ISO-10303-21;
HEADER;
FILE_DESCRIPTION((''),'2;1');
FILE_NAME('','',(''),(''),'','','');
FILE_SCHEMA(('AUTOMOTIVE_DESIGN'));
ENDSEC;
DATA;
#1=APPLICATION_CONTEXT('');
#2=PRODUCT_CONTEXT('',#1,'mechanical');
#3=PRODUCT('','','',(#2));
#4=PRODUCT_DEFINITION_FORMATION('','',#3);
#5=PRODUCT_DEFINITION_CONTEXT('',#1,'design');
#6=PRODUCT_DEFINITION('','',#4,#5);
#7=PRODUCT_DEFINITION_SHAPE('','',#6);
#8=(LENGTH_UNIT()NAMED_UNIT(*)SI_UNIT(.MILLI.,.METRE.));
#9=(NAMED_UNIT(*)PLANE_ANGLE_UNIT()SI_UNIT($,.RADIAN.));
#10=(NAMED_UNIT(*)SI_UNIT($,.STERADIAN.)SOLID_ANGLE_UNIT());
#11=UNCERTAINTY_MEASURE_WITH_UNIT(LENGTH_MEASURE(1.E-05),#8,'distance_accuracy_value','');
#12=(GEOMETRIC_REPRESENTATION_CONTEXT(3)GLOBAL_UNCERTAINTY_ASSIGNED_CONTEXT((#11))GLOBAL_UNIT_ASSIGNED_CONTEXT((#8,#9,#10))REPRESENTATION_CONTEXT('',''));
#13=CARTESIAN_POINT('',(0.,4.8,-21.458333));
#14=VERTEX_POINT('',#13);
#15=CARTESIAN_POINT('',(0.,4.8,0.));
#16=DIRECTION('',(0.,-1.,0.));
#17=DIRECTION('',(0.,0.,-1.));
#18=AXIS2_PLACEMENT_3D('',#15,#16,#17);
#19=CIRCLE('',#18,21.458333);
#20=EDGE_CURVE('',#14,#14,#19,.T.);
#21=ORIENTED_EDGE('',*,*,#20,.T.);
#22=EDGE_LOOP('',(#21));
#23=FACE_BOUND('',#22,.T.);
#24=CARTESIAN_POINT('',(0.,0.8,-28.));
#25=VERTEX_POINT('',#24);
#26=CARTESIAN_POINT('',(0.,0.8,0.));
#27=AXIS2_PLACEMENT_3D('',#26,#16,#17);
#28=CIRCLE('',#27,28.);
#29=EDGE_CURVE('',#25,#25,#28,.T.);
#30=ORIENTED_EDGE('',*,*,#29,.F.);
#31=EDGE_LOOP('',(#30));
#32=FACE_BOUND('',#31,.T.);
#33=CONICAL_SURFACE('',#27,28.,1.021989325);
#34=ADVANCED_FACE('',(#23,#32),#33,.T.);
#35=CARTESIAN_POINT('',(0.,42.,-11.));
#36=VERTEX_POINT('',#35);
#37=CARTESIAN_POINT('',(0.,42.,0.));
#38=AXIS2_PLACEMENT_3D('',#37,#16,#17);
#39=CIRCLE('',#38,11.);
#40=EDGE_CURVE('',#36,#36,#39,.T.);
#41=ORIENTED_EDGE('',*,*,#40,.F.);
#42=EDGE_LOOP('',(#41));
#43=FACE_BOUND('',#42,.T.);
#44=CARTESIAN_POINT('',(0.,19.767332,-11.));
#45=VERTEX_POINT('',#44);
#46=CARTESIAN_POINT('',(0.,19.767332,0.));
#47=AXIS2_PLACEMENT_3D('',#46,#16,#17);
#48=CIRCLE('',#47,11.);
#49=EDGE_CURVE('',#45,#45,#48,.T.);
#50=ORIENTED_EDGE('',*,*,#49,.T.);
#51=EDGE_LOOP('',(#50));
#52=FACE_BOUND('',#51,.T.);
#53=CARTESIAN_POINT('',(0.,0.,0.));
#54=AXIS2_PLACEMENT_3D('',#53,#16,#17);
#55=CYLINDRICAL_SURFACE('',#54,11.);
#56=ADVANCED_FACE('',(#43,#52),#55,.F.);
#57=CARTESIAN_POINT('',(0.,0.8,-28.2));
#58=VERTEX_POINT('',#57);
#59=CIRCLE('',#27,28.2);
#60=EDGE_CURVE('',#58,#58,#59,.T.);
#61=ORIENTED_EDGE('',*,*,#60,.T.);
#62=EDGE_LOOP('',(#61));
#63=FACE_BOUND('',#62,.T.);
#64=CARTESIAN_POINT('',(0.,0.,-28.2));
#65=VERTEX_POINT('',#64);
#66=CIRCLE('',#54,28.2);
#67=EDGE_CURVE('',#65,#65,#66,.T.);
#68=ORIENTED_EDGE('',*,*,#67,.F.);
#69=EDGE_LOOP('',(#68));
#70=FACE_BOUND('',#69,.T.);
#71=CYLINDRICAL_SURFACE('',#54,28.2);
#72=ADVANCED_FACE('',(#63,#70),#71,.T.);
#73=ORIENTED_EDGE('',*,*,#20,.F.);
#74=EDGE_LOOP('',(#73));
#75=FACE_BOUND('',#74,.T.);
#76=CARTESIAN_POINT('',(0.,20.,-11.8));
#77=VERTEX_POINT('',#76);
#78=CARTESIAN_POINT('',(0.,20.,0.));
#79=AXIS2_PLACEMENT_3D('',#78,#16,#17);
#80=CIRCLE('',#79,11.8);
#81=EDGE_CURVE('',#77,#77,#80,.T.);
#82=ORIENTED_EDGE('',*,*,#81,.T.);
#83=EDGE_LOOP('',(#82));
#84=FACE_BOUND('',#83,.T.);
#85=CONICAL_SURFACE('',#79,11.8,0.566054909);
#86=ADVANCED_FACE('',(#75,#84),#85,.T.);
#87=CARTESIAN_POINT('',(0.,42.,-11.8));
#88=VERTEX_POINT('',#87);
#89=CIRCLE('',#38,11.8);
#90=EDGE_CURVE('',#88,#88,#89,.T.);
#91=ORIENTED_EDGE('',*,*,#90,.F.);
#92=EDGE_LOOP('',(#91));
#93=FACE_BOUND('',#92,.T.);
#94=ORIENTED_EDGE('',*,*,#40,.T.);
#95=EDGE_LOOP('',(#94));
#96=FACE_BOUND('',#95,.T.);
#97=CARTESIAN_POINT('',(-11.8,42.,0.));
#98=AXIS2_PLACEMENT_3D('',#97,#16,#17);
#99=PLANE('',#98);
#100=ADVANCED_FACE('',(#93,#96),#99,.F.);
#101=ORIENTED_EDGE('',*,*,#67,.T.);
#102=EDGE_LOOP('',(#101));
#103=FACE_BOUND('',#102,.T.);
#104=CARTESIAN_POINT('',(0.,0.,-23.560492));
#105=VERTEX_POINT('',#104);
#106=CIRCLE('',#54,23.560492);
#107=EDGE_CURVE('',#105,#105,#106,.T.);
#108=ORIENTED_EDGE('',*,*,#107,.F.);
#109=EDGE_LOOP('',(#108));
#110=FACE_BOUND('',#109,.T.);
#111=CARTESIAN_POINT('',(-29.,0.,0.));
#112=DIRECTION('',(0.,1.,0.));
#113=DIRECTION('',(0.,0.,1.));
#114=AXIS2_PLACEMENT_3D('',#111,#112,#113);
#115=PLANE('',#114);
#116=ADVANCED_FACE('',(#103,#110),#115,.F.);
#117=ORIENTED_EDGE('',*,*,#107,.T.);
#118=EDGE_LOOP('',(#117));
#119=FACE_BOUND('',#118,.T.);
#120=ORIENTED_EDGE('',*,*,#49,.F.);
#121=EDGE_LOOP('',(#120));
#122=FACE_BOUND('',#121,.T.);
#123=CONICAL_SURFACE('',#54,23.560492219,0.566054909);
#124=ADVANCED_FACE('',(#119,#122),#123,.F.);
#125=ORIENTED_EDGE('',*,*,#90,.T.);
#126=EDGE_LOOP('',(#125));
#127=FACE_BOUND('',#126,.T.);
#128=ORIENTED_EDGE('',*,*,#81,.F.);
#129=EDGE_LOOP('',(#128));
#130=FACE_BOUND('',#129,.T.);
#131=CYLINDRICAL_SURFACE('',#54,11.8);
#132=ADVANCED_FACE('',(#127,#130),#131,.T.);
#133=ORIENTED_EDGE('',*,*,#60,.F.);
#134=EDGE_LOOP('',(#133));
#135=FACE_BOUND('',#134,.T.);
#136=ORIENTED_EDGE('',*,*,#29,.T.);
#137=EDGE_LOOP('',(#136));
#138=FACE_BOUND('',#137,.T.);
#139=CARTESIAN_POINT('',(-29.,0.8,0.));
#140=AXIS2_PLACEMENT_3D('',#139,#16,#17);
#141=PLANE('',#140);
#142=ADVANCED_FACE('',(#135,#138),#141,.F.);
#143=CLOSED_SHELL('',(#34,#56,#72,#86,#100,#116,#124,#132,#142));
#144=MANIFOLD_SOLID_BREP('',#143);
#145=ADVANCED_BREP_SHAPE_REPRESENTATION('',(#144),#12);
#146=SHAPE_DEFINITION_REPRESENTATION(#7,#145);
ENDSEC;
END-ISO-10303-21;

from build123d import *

# Parameters (mm, degrees)
SKETCH3_W = 0.8
SKETCH3_H = 0.8


with BuildPart() as part:
    # Sketch2 → Revolve2 (revolve)
    with BuildSketch(Plane.XY, mode=Mode.PRIVATE) as revolve2_sk:
        Polygon((-28, 1.8), (-21.458333333, 4.8), (-11.8, 20), (-11.8, 42), (-11, 42), (-11, 19.767332017), (-23.560492219, 0), (-29, 0), (-29, 0.8), (-28, 0.8), align=None)
    revolve(revolve2_sk.sketch.rotate(Axis((0, 0, 0), (0, 1, 0)), 270), axis=Axis((0, 0, 0), (0, 1, 0)))

    # Sketch3 → Cut-Revolve1 (revolve, cut)
    with BuildSketch(Plane.XY, mode=Mode.PRIVATE) as cut_revolve1_sk:
        with Locations((-28.6, 0.4)):
            Rectangle(SKETCH3_W, SKETCH3_H)
    revolve(cut_revolve1_sk.sketch.rotate(Axis((0, 0, 0), (0, 1, 0)), 270), axis=Axis((0, 0, 0), (0, 1, 0)), mode=Mode.SUBTRACT)

    # Sketch4 → Cut-Revolve2 (revolve, cut)
    with BuildSketch(Plane.XY, mode=Mode.PRIVATE) as cut_revolve2_sk:
        Polygon((-28, 0.8), (-28, 1.8), (-21.458333333, 4.8), align=None)
    revolve(cut_revolve2_sk.sketch.rotate(Axis((0, 0, 0), (0, 1, 0)), 270), axis=Axis((0, 0, 0), (0, 1, 0)), mode=Mode.SUBTRACT)


solid = part.part
